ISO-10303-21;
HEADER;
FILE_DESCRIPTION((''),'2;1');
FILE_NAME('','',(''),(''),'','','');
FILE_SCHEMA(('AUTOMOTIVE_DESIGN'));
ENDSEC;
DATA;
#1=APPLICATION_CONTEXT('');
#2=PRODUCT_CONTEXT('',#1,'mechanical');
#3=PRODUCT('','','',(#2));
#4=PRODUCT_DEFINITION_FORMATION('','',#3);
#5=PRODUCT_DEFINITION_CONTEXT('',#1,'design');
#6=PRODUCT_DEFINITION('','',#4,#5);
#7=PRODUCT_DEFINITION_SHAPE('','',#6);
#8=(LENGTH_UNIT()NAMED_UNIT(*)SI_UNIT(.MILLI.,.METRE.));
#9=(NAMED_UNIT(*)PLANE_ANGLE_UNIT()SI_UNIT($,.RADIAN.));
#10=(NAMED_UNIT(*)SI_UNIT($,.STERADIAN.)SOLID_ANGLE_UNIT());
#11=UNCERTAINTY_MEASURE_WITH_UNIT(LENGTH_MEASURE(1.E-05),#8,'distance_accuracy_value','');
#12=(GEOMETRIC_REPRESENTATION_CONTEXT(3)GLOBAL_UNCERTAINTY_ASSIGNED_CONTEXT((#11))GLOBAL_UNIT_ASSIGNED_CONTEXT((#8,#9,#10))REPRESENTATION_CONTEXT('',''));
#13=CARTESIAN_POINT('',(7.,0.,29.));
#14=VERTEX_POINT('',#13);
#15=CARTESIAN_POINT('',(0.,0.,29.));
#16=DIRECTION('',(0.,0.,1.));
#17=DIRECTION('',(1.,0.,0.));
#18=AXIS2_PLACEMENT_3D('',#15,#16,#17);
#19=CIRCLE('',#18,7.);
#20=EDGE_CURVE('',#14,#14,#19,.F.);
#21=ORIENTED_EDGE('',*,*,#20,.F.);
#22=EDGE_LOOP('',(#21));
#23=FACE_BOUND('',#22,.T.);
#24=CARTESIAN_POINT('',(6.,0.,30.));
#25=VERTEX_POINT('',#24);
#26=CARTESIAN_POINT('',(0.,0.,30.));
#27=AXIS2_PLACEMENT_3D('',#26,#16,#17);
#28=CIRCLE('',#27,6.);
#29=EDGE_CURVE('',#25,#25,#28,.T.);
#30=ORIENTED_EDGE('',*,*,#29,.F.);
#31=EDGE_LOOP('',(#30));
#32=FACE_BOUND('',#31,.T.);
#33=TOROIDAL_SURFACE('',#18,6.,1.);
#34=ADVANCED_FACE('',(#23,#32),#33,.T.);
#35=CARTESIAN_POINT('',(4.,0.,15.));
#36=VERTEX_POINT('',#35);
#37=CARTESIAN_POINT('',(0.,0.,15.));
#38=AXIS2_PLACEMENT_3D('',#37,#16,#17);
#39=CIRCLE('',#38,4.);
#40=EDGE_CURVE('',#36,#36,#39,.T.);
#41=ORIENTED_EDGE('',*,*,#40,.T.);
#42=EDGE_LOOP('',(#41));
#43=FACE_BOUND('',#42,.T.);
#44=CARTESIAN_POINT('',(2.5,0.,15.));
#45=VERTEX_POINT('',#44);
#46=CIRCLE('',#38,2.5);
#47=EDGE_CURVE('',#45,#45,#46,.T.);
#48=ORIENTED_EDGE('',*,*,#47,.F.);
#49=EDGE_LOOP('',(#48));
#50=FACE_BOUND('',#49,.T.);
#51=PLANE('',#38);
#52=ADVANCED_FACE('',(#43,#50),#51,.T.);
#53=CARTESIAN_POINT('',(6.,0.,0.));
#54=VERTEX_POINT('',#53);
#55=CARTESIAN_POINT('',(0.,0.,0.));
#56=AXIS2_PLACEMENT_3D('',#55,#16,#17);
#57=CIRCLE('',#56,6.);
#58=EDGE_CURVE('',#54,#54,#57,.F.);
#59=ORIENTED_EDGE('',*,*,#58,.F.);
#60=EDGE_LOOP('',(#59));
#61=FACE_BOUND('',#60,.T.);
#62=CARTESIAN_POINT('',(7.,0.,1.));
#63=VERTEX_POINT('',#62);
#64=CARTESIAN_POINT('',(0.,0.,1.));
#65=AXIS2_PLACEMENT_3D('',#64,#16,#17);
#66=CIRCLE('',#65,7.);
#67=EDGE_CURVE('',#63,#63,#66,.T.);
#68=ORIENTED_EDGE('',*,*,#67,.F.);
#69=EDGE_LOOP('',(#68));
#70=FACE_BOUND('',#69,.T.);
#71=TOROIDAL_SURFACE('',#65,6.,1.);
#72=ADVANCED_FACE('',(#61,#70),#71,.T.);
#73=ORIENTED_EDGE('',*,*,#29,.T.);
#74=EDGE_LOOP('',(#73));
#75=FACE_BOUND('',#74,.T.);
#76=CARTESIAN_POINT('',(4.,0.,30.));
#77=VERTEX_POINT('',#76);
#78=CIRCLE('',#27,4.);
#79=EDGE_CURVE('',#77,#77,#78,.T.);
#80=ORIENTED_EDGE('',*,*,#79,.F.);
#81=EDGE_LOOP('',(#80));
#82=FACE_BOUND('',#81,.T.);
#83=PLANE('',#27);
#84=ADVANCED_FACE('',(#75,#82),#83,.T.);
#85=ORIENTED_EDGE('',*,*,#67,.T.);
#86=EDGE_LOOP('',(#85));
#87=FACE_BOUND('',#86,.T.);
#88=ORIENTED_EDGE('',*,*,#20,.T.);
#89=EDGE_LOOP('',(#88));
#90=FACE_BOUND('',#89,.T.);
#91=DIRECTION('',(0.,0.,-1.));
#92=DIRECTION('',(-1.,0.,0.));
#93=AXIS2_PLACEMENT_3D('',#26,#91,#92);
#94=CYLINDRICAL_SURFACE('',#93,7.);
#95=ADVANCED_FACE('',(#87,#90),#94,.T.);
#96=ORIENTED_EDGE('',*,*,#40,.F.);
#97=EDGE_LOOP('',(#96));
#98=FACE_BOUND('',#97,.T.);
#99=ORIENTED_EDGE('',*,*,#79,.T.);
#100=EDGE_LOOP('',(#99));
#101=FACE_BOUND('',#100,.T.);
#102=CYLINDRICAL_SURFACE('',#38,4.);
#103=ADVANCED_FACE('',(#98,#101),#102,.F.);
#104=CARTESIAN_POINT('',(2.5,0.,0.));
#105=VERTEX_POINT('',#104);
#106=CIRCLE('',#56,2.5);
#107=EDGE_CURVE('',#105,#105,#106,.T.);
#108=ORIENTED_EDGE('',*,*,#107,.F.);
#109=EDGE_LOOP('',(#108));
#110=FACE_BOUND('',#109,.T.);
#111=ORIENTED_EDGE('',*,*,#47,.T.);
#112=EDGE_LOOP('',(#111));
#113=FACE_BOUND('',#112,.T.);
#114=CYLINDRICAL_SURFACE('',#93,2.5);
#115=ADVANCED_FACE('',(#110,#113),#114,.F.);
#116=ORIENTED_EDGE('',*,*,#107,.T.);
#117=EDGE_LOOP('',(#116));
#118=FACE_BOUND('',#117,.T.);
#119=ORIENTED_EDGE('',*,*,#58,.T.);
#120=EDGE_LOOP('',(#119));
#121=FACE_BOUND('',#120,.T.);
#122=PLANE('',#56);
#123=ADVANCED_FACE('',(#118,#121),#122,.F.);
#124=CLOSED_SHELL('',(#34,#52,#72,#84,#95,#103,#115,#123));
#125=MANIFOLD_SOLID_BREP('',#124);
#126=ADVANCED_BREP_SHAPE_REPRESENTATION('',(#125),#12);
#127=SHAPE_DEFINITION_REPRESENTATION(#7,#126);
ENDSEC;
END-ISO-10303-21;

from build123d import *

# Parameters (mm, degrees)
SKETCH1_R           = 7
SKETCH1_R_2         = 2.5
BOSS_EXTRUDE1_DEPTH = 30
SKETCH2_R           = 4
CUT_EXTRUDE1_DEPTH  = 15
FILLET1_R           = 1


with BuildPart() as part:
    # Sketch1 → Boss-Extrude1 (new body)
    with BuildSketch(Plane.XY):
        Circle(SKETCH1_R)
        Circle(SKETCH1_R_2, mode=Mode.SUBTRACT)
    extrude(amount=BOSS_EXTRUDE1_DEPTH)

    # Sketch2 → Cut-Extrude1 (cut)
    with BuildSketch(Plane.XY.offset(30)):
        Circle(SKETCH2_R)
    extrude(amount=-CUT_EXTRUDE1_DEPTH, mode=Mode.SUBTRACT)

    # Fillet1
    fillet1_edges = [part.edges().sort_by_distance(p)[0] for p in [
        (-7, 0, 0),
        (-7, 0, 30),
    ]]
    fillet(fillet1_edges, radius=FILLET1_R)


solid = part.part
